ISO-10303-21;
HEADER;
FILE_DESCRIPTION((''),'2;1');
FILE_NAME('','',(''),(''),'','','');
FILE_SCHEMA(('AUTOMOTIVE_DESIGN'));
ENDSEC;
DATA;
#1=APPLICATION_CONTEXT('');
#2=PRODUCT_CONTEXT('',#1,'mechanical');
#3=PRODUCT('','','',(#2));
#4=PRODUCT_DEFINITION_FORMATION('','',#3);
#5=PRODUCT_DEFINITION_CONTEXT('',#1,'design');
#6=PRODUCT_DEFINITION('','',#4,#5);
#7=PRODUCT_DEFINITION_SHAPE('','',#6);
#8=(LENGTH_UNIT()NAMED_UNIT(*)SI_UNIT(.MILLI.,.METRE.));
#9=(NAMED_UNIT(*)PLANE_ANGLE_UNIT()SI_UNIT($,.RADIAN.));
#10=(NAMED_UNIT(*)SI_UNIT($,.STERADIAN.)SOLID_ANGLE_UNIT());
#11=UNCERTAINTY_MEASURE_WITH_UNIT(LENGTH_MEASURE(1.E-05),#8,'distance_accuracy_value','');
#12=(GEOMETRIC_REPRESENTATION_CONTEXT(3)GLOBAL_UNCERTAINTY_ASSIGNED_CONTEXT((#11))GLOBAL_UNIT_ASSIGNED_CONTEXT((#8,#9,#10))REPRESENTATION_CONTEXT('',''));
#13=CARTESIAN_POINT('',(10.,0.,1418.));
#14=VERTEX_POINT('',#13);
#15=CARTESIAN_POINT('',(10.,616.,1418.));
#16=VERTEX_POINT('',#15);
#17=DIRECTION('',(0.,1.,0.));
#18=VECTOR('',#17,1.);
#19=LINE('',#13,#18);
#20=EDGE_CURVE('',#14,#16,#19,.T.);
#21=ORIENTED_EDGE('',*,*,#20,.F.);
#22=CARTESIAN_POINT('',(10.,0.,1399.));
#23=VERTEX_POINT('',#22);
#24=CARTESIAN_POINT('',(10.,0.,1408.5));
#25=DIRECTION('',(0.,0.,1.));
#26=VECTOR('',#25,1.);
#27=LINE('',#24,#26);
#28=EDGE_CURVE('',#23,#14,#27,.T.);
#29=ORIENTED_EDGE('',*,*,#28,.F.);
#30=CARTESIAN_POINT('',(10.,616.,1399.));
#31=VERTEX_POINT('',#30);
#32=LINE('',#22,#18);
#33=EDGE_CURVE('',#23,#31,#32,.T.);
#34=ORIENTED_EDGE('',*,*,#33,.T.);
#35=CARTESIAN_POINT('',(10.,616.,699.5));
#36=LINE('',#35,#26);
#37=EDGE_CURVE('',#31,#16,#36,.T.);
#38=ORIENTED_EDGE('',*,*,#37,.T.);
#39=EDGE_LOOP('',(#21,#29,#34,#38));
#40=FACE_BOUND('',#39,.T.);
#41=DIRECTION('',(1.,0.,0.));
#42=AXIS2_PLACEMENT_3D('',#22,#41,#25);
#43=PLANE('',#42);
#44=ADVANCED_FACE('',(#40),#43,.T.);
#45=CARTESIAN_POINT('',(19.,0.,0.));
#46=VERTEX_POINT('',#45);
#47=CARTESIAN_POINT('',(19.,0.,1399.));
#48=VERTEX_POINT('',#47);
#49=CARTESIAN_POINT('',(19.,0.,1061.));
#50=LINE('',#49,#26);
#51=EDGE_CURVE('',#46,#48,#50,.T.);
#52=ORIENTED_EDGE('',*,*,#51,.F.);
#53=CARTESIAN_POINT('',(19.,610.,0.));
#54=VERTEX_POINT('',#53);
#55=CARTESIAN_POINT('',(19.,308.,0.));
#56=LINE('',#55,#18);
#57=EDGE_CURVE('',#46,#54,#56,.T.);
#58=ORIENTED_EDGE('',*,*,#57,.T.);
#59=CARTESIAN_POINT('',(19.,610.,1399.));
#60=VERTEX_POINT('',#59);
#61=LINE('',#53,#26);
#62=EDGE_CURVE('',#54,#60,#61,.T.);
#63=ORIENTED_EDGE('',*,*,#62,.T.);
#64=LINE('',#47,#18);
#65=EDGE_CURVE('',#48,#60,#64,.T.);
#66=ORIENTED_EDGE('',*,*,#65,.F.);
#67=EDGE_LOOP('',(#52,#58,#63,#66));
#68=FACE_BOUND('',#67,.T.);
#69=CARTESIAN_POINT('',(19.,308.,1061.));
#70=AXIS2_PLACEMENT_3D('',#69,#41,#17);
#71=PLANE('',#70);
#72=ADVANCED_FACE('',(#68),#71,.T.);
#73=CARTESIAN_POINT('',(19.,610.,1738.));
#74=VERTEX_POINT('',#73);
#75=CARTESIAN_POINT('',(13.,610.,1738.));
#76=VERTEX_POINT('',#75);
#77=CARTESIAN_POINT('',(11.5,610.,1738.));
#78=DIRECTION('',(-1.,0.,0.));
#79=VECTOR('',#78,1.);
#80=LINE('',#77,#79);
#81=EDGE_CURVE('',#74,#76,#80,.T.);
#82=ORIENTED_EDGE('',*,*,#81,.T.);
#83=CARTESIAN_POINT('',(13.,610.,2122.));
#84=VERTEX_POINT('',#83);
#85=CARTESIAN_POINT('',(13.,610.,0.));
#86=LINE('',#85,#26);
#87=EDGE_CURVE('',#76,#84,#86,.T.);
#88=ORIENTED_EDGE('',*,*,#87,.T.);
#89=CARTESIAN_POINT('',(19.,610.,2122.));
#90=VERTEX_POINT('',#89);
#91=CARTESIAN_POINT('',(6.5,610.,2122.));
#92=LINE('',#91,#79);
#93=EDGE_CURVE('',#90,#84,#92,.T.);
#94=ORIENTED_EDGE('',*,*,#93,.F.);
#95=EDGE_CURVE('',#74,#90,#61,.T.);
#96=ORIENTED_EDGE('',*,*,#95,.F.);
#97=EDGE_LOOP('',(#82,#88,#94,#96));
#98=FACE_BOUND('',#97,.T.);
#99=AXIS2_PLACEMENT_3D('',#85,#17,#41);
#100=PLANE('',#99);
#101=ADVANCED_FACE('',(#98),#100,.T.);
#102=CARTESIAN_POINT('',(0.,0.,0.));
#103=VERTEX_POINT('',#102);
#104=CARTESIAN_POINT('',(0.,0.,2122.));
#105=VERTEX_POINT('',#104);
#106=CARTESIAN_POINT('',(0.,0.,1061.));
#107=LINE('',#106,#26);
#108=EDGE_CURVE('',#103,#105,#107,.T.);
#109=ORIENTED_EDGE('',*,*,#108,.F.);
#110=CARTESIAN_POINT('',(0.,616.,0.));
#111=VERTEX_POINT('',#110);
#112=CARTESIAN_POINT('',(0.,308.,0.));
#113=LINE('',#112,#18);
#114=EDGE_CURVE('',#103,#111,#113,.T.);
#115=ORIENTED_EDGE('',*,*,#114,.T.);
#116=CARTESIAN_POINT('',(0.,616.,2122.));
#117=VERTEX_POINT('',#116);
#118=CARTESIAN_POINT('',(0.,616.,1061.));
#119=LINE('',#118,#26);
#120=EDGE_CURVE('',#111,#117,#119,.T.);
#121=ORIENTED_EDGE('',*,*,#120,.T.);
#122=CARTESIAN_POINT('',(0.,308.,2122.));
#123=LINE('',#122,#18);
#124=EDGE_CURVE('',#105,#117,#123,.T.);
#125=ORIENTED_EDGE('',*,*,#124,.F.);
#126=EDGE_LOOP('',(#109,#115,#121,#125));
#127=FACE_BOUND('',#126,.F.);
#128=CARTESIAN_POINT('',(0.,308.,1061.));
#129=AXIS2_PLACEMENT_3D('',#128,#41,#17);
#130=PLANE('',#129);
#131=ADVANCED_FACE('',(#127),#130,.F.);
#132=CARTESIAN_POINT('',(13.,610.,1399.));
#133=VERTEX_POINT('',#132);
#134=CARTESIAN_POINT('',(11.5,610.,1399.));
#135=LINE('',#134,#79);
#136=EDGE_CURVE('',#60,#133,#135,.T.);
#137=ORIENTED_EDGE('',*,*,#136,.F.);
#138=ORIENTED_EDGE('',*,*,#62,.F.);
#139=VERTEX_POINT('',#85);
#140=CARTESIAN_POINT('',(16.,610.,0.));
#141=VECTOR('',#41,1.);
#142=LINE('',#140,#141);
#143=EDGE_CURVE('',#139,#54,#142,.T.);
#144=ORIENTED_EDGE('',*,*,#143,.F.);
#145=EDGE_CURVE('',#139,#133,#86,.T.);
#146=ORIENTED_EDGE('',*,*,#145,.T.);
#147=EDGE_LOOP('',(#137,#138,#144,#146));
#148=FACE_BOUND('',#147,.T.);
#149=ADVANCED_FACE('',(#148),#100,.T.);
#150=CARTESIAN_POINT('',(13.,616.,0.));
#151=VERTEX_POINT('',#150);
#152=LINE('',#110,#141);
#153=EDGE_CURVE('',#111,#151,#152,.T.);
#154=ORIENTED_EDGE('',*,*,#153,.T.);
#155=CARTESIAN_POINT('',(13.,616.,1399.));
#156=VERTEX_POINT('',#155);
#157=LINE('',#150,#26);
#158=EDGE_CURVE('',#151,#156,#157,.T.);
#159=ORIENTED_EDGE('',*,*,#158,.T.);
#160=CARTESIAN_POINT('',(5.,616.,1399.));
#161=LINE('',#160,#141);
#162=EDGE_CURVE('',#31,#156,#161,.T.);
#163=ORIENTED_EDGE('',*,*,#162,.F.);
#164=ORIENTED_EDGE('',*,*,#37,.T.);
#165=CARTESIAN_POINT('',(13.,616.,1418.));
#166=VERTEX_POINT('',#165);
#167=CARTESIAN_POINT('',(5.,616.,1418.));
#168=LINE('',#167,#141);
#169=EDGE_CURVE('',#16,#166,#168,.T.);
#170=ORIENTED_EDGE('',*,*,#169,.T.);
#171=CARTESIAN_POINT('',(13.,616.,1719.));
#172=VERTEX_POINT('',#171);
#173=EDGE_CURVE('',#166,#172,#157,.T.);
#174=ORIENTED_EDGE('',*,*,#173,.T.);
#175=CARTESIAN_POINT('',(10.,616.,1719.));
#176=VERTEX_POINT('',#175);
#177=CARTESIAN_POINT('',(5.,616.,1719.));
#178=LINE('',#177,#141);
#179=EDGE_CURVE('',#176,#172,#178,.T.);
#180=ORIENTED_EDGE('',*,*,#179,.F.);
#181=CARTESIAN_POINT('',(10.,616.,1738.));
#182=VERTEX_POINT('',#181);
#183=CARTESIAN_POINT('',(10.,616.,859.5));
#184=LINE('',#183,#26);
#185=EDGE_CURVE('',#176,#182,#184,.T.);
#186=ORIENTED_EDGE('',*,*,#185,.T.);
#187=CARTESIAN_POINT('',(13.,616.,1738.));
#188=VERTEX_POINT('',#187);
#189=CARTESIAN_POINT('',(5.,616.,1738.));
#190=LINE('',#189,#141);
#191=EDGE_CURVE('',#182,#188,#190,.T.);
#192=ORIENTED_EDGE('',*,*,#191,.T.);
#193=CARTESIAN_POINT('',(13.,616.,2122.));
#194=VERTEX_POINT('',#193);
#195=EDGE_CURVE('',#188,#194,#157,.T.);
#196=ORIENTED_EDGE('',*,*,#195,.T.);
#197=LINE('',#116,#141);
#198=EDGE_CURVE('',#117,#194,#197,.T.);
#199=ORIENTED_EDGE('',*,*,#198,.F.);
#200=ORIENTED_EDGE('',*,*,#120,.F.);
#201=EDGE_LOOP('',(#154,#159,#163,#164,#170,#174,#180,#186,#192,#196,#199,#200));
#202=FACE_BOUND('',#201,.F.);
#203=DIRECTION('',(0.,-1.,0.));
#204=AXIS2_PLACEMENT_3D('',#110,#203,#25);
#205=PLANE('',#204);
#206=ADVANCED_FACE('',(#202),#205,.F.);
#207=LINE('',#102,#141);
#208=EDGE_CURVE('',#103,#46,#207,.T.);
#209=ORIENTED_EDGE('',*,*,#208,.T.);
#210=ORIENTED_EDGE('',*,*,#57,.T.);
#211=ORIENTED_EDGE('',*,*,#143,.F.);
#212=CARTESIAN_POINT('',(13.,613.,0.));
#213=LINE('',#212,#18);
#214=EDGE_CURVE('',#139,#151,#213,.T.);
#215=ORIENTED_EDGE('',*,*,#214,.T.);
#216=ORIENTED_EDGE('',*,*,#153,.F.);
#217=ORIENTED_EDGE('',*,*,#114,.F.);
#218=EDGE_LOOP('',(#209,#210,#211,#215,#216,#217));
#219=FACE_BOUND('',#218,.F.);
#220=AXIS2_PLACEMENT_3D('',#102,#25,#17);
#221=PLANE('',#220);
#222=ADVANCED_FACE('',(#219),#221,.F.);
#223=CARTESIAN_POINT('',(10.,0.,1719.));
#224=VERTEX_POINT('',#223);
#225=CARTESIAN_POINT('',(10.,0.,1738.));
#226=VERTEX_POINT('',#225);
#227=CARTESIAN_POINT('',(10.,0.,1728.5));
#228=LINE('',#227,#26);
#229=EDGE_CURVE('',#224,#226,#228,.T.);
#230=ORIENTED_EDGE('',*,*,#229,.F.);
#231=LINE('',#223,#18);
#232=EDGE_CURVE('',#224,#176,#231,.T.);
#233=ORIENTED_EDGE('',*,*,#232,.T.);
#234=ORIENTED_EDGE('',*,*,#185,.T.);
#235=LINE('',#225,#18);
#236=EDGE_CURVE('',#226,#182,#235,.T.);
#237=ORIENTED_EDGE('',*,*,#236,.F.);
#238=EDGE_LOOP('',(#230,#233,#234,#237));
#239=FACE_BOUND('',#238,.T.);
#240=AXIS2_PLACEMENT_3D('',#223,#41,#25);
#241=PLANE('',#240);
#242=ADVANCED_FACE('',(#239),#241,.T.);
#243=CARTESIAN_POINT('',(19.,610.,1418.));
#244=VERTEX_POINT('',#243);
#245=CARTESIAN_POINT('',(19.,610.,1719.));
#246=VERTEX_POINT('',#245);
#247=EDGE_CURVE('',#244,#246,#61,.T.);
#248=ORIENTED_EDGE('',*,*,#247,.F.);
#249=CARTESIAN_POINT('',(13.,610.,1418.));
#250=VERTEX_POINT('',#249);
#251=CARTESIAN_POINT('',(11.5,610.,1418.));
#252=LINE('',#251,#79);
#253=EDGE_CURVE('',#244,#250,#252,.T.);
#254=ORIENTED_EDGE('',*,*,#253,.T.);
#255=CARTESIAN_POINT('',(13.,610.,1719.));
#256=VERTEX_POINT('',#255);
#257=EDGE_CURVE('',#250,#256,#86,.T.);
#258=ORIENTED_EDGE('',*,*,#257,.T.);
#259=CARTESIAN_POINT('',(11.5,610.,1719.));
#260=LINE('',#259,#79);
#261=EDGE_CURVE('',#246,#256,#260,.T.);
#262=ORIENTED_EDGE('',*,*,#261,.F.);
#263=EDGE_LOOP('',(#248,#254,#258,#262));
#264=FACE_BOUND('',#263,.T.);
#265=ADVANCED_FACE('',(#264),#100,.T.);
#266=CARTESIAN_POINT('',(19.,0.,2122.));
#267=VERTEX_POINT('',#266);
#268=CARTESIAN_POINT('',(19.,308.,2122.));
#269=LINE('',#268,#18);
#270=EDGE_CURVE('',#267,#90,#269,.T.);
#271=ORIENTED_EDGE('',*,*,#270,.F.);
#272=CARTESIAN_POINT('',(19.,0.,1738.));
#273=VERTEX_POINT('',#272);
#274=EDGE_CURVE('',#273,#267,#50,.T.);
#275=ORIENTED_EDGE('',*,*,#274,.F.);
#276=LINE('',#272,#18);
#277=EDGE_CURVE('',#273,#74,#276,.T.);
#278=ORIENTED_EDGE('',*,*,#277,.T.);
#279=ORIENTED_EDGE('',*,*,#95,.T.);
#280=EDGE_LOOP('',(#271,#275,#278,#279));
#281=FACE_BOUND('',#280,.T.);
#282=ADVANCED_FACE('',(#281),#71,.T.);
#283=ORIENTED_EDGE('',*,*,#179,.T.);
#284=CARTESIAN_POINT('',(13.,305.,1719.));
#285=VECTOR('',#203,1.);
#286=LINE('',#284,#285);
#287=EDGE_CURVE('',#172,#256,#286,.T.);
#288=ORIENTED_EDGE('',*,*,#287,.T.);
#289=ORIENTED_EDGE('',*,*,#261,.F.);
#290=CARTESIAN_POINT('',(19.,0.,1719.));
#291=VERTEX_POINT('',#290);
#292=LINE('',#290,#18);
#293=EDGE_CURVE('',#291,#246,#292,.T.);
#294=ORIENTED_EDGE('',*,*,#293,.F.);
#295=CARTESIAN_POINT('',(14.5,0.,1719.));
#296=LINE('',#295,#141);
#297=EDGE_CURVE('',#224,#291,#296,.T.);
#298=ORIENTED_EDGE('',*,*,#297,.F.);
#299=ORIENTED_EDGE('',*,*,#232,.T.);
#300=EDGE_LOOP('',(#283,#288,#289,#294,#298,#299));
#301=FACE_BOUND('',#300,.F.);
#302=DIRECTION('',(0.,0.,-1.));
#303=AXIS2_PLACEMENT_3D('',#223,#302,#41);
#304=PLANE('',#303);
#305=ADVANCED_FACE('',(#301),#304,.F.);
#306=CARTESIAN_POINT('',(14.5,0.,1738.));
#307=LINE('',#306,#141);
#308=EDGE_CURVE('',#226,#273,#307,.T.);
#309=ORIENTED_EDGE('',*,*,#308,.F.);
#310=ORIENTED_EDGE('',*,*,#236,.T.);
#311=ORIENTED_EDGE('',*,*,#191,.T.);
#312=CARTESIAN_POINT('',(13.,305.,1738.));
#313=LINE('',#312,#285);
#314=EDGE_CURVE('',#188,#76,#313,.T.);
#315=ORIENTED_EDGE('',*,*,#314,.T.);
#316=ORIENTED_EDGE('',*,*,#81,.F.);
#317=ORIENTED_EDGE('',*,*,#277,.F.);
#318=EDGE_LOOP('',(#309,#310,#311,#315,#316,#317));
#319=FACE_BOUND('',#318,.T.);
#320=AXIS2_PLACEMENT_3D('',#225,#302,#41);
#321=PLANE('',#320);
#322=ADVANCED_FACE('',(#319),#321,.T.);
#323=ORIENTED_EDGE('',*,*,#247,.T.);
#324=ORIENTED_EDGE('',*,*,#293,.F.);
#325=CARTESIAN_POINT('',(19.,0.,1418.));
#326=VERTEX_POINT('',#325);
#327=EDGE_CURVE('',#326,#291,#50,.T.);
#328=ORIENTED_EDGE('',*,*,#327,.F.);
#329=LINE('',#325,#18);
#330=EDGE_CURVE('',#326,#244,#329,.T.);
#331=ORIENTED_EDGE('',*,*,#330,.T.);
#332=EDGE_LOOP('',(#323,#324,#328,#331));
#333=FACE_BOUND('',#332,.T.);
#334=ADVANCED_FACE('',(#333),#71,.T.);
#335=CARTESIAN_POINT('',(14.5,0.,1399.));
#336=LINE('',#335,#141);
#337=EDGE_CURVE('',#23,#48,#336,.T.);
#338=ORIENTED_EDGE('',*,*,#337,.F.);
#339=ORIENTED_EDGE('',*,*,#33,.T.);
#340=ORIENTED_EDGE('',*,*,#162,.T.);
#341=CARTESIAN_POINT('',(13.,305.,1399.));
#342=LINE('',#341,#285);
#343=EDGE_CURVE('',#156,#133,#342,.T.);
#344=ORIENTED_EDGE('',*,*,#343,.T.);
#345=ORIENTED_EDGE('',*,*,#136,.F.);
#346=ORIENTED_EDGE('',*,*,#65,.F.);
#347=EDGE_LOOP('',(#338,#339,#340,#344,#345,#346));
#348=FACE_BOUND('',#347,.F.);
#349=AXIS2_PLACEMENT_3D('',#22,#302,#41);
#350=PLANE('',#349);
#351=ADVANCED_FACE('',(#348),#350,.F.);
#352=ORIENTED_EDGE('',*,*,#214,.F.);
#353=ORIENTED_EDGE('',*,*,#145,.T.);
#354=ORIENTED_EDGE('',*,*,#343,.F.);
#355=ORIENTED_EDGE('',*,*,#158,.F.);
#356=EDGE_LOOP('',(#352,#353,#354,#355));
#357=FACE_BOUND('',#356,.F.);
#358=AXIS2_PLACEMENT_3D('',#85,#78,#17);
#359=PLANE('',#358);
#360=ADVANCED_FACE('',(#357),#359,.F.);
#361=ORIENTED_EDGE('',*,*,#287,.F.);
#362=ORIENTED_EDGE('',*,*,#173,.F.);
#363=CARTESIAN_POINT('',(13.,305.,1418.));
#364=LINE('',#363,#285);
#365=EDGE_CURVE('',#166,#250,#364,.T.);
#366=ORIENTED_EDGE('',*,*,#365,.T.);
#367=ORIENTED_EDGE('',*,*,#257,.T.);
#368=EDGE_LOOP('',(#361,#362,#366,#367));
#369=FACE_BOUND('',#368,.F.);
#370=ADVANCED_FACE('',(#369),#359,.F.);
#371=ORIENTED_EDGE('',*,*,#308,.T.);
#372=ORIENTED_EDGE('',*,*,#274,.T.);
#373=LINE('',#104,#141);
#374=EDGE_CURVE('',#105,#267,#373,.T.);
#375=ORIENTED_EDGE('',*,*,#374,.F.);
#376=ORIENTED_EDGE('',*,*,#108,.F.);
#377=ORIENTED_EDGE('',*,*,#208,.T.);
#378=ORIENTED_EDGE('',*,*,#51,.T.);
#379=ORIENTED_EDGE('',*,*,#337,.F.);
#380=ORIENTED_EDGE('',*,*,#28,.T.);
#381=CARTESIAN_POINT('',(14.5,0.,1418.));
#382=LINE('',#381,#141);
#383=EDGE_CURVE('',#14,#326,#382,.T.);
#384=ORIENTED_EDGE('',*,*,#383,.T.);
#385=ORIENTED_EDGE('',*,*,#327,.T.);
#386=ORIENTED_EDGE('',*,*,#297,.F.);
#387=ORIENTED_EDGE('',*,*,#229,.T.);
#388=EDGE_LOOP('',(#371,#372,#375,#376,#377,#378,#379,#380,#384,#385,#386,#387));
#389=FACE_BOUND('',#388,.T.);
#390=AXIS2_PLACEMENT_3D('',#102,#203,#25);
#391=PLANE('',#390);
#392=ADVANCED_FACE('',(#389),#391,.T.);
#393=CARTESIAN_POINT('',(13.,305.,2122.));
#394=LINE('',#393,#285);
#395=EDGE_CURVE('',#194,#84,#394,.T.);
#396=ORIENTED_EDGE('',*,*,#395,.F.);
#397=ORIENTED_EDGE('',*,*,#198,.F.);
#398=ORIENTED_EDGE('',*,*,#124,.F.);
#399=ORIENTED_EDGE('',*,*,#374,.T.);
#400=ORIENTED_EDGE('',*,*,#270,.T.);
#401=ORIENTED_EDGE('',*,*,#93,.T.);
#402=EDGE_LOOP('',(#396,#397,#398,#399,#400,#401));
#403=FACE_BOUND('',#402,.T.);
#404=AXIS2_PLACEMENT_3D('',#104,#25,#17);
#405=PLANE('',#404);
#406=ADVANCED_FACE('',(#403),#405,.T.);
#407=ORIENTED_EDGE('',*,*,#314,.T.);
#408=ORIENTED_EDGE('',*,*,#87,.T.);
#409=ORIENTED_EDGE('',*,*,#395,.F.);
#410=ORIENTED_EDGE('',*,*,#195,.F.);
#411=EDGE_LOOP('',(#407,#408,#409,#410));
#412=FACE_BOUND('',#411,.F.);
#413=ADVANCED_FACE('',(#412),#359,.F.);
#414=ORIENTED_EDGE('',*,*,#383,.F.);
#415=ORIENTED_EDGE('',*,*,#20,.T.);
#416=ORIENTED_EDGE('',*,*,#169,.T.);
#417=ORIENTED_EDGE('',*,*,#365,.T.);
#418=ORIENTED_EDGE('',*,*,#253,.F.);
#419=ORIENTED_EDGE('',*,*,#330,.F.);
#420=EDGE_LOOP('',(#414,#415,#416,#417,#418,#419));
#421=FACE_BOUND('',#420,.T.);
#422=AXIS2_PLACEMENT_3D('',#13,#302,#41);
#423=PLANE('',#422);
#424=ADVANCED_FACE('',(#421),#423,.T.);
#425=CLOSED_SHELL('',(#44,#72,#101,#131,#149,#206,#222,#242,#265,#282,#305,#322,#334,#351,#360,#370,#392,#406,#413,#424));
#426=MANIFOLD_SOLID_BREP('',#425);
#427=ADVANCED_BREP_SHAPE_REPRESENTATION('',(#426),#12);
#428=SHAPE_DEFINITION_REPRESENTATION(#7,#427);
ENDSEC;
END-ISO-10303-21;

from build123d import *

# Parameters (mm, degrees)
F0_W     = 616
F0_H     = 2122
F1_DEPTH = 19
F2_W     = 6
F2_H     = 6
F3_DEPTH = 2122.001
F4_W     = 9
F4_H     = 19
F5_DEPTH = 616.001
F6_W     = 9
F6_H     = 19
F7_DEPTH = 616.001


with BuildPart() as f1:
    # F0 (on Right) → F1 (new body)
    with BuildSketch(Plane.YZ):
        with Locations((308, 1061)):
            Rectangle(F0_W, F0_H)
    extrude(amount=F1_DEPTH)

    # F2 (on Top) → F3 (cut, through all)
    with BuildSketch(Plane.XY):
        with Locations((16, 613)):
            Rectangle(F2_W, F2_H)
    extrude(amount=F3_DEPTH, mode=Mode.SUBTRACT)

    # F4 (on Front) → F5 (cut, through all)
    with BuildSketch(Plane.XZ):
        with Locations((14.5, 1408.5)):
            Rectangle(F4_W, F4_H)
    extrude(amount=-F5_DEPTH, mode=Mode.SUBTRACT)

    # F6 (on Front) → F7 (cut, through all)
    with BuildSketch(Plane.XZ):
        with Locations((14.5, 1728.5)):
            Rectangle(F6_W, F6_H)
    extrude(amount=-F7_DEPTH, mode=Mode.SUBTRACT)


solid = f1.part
